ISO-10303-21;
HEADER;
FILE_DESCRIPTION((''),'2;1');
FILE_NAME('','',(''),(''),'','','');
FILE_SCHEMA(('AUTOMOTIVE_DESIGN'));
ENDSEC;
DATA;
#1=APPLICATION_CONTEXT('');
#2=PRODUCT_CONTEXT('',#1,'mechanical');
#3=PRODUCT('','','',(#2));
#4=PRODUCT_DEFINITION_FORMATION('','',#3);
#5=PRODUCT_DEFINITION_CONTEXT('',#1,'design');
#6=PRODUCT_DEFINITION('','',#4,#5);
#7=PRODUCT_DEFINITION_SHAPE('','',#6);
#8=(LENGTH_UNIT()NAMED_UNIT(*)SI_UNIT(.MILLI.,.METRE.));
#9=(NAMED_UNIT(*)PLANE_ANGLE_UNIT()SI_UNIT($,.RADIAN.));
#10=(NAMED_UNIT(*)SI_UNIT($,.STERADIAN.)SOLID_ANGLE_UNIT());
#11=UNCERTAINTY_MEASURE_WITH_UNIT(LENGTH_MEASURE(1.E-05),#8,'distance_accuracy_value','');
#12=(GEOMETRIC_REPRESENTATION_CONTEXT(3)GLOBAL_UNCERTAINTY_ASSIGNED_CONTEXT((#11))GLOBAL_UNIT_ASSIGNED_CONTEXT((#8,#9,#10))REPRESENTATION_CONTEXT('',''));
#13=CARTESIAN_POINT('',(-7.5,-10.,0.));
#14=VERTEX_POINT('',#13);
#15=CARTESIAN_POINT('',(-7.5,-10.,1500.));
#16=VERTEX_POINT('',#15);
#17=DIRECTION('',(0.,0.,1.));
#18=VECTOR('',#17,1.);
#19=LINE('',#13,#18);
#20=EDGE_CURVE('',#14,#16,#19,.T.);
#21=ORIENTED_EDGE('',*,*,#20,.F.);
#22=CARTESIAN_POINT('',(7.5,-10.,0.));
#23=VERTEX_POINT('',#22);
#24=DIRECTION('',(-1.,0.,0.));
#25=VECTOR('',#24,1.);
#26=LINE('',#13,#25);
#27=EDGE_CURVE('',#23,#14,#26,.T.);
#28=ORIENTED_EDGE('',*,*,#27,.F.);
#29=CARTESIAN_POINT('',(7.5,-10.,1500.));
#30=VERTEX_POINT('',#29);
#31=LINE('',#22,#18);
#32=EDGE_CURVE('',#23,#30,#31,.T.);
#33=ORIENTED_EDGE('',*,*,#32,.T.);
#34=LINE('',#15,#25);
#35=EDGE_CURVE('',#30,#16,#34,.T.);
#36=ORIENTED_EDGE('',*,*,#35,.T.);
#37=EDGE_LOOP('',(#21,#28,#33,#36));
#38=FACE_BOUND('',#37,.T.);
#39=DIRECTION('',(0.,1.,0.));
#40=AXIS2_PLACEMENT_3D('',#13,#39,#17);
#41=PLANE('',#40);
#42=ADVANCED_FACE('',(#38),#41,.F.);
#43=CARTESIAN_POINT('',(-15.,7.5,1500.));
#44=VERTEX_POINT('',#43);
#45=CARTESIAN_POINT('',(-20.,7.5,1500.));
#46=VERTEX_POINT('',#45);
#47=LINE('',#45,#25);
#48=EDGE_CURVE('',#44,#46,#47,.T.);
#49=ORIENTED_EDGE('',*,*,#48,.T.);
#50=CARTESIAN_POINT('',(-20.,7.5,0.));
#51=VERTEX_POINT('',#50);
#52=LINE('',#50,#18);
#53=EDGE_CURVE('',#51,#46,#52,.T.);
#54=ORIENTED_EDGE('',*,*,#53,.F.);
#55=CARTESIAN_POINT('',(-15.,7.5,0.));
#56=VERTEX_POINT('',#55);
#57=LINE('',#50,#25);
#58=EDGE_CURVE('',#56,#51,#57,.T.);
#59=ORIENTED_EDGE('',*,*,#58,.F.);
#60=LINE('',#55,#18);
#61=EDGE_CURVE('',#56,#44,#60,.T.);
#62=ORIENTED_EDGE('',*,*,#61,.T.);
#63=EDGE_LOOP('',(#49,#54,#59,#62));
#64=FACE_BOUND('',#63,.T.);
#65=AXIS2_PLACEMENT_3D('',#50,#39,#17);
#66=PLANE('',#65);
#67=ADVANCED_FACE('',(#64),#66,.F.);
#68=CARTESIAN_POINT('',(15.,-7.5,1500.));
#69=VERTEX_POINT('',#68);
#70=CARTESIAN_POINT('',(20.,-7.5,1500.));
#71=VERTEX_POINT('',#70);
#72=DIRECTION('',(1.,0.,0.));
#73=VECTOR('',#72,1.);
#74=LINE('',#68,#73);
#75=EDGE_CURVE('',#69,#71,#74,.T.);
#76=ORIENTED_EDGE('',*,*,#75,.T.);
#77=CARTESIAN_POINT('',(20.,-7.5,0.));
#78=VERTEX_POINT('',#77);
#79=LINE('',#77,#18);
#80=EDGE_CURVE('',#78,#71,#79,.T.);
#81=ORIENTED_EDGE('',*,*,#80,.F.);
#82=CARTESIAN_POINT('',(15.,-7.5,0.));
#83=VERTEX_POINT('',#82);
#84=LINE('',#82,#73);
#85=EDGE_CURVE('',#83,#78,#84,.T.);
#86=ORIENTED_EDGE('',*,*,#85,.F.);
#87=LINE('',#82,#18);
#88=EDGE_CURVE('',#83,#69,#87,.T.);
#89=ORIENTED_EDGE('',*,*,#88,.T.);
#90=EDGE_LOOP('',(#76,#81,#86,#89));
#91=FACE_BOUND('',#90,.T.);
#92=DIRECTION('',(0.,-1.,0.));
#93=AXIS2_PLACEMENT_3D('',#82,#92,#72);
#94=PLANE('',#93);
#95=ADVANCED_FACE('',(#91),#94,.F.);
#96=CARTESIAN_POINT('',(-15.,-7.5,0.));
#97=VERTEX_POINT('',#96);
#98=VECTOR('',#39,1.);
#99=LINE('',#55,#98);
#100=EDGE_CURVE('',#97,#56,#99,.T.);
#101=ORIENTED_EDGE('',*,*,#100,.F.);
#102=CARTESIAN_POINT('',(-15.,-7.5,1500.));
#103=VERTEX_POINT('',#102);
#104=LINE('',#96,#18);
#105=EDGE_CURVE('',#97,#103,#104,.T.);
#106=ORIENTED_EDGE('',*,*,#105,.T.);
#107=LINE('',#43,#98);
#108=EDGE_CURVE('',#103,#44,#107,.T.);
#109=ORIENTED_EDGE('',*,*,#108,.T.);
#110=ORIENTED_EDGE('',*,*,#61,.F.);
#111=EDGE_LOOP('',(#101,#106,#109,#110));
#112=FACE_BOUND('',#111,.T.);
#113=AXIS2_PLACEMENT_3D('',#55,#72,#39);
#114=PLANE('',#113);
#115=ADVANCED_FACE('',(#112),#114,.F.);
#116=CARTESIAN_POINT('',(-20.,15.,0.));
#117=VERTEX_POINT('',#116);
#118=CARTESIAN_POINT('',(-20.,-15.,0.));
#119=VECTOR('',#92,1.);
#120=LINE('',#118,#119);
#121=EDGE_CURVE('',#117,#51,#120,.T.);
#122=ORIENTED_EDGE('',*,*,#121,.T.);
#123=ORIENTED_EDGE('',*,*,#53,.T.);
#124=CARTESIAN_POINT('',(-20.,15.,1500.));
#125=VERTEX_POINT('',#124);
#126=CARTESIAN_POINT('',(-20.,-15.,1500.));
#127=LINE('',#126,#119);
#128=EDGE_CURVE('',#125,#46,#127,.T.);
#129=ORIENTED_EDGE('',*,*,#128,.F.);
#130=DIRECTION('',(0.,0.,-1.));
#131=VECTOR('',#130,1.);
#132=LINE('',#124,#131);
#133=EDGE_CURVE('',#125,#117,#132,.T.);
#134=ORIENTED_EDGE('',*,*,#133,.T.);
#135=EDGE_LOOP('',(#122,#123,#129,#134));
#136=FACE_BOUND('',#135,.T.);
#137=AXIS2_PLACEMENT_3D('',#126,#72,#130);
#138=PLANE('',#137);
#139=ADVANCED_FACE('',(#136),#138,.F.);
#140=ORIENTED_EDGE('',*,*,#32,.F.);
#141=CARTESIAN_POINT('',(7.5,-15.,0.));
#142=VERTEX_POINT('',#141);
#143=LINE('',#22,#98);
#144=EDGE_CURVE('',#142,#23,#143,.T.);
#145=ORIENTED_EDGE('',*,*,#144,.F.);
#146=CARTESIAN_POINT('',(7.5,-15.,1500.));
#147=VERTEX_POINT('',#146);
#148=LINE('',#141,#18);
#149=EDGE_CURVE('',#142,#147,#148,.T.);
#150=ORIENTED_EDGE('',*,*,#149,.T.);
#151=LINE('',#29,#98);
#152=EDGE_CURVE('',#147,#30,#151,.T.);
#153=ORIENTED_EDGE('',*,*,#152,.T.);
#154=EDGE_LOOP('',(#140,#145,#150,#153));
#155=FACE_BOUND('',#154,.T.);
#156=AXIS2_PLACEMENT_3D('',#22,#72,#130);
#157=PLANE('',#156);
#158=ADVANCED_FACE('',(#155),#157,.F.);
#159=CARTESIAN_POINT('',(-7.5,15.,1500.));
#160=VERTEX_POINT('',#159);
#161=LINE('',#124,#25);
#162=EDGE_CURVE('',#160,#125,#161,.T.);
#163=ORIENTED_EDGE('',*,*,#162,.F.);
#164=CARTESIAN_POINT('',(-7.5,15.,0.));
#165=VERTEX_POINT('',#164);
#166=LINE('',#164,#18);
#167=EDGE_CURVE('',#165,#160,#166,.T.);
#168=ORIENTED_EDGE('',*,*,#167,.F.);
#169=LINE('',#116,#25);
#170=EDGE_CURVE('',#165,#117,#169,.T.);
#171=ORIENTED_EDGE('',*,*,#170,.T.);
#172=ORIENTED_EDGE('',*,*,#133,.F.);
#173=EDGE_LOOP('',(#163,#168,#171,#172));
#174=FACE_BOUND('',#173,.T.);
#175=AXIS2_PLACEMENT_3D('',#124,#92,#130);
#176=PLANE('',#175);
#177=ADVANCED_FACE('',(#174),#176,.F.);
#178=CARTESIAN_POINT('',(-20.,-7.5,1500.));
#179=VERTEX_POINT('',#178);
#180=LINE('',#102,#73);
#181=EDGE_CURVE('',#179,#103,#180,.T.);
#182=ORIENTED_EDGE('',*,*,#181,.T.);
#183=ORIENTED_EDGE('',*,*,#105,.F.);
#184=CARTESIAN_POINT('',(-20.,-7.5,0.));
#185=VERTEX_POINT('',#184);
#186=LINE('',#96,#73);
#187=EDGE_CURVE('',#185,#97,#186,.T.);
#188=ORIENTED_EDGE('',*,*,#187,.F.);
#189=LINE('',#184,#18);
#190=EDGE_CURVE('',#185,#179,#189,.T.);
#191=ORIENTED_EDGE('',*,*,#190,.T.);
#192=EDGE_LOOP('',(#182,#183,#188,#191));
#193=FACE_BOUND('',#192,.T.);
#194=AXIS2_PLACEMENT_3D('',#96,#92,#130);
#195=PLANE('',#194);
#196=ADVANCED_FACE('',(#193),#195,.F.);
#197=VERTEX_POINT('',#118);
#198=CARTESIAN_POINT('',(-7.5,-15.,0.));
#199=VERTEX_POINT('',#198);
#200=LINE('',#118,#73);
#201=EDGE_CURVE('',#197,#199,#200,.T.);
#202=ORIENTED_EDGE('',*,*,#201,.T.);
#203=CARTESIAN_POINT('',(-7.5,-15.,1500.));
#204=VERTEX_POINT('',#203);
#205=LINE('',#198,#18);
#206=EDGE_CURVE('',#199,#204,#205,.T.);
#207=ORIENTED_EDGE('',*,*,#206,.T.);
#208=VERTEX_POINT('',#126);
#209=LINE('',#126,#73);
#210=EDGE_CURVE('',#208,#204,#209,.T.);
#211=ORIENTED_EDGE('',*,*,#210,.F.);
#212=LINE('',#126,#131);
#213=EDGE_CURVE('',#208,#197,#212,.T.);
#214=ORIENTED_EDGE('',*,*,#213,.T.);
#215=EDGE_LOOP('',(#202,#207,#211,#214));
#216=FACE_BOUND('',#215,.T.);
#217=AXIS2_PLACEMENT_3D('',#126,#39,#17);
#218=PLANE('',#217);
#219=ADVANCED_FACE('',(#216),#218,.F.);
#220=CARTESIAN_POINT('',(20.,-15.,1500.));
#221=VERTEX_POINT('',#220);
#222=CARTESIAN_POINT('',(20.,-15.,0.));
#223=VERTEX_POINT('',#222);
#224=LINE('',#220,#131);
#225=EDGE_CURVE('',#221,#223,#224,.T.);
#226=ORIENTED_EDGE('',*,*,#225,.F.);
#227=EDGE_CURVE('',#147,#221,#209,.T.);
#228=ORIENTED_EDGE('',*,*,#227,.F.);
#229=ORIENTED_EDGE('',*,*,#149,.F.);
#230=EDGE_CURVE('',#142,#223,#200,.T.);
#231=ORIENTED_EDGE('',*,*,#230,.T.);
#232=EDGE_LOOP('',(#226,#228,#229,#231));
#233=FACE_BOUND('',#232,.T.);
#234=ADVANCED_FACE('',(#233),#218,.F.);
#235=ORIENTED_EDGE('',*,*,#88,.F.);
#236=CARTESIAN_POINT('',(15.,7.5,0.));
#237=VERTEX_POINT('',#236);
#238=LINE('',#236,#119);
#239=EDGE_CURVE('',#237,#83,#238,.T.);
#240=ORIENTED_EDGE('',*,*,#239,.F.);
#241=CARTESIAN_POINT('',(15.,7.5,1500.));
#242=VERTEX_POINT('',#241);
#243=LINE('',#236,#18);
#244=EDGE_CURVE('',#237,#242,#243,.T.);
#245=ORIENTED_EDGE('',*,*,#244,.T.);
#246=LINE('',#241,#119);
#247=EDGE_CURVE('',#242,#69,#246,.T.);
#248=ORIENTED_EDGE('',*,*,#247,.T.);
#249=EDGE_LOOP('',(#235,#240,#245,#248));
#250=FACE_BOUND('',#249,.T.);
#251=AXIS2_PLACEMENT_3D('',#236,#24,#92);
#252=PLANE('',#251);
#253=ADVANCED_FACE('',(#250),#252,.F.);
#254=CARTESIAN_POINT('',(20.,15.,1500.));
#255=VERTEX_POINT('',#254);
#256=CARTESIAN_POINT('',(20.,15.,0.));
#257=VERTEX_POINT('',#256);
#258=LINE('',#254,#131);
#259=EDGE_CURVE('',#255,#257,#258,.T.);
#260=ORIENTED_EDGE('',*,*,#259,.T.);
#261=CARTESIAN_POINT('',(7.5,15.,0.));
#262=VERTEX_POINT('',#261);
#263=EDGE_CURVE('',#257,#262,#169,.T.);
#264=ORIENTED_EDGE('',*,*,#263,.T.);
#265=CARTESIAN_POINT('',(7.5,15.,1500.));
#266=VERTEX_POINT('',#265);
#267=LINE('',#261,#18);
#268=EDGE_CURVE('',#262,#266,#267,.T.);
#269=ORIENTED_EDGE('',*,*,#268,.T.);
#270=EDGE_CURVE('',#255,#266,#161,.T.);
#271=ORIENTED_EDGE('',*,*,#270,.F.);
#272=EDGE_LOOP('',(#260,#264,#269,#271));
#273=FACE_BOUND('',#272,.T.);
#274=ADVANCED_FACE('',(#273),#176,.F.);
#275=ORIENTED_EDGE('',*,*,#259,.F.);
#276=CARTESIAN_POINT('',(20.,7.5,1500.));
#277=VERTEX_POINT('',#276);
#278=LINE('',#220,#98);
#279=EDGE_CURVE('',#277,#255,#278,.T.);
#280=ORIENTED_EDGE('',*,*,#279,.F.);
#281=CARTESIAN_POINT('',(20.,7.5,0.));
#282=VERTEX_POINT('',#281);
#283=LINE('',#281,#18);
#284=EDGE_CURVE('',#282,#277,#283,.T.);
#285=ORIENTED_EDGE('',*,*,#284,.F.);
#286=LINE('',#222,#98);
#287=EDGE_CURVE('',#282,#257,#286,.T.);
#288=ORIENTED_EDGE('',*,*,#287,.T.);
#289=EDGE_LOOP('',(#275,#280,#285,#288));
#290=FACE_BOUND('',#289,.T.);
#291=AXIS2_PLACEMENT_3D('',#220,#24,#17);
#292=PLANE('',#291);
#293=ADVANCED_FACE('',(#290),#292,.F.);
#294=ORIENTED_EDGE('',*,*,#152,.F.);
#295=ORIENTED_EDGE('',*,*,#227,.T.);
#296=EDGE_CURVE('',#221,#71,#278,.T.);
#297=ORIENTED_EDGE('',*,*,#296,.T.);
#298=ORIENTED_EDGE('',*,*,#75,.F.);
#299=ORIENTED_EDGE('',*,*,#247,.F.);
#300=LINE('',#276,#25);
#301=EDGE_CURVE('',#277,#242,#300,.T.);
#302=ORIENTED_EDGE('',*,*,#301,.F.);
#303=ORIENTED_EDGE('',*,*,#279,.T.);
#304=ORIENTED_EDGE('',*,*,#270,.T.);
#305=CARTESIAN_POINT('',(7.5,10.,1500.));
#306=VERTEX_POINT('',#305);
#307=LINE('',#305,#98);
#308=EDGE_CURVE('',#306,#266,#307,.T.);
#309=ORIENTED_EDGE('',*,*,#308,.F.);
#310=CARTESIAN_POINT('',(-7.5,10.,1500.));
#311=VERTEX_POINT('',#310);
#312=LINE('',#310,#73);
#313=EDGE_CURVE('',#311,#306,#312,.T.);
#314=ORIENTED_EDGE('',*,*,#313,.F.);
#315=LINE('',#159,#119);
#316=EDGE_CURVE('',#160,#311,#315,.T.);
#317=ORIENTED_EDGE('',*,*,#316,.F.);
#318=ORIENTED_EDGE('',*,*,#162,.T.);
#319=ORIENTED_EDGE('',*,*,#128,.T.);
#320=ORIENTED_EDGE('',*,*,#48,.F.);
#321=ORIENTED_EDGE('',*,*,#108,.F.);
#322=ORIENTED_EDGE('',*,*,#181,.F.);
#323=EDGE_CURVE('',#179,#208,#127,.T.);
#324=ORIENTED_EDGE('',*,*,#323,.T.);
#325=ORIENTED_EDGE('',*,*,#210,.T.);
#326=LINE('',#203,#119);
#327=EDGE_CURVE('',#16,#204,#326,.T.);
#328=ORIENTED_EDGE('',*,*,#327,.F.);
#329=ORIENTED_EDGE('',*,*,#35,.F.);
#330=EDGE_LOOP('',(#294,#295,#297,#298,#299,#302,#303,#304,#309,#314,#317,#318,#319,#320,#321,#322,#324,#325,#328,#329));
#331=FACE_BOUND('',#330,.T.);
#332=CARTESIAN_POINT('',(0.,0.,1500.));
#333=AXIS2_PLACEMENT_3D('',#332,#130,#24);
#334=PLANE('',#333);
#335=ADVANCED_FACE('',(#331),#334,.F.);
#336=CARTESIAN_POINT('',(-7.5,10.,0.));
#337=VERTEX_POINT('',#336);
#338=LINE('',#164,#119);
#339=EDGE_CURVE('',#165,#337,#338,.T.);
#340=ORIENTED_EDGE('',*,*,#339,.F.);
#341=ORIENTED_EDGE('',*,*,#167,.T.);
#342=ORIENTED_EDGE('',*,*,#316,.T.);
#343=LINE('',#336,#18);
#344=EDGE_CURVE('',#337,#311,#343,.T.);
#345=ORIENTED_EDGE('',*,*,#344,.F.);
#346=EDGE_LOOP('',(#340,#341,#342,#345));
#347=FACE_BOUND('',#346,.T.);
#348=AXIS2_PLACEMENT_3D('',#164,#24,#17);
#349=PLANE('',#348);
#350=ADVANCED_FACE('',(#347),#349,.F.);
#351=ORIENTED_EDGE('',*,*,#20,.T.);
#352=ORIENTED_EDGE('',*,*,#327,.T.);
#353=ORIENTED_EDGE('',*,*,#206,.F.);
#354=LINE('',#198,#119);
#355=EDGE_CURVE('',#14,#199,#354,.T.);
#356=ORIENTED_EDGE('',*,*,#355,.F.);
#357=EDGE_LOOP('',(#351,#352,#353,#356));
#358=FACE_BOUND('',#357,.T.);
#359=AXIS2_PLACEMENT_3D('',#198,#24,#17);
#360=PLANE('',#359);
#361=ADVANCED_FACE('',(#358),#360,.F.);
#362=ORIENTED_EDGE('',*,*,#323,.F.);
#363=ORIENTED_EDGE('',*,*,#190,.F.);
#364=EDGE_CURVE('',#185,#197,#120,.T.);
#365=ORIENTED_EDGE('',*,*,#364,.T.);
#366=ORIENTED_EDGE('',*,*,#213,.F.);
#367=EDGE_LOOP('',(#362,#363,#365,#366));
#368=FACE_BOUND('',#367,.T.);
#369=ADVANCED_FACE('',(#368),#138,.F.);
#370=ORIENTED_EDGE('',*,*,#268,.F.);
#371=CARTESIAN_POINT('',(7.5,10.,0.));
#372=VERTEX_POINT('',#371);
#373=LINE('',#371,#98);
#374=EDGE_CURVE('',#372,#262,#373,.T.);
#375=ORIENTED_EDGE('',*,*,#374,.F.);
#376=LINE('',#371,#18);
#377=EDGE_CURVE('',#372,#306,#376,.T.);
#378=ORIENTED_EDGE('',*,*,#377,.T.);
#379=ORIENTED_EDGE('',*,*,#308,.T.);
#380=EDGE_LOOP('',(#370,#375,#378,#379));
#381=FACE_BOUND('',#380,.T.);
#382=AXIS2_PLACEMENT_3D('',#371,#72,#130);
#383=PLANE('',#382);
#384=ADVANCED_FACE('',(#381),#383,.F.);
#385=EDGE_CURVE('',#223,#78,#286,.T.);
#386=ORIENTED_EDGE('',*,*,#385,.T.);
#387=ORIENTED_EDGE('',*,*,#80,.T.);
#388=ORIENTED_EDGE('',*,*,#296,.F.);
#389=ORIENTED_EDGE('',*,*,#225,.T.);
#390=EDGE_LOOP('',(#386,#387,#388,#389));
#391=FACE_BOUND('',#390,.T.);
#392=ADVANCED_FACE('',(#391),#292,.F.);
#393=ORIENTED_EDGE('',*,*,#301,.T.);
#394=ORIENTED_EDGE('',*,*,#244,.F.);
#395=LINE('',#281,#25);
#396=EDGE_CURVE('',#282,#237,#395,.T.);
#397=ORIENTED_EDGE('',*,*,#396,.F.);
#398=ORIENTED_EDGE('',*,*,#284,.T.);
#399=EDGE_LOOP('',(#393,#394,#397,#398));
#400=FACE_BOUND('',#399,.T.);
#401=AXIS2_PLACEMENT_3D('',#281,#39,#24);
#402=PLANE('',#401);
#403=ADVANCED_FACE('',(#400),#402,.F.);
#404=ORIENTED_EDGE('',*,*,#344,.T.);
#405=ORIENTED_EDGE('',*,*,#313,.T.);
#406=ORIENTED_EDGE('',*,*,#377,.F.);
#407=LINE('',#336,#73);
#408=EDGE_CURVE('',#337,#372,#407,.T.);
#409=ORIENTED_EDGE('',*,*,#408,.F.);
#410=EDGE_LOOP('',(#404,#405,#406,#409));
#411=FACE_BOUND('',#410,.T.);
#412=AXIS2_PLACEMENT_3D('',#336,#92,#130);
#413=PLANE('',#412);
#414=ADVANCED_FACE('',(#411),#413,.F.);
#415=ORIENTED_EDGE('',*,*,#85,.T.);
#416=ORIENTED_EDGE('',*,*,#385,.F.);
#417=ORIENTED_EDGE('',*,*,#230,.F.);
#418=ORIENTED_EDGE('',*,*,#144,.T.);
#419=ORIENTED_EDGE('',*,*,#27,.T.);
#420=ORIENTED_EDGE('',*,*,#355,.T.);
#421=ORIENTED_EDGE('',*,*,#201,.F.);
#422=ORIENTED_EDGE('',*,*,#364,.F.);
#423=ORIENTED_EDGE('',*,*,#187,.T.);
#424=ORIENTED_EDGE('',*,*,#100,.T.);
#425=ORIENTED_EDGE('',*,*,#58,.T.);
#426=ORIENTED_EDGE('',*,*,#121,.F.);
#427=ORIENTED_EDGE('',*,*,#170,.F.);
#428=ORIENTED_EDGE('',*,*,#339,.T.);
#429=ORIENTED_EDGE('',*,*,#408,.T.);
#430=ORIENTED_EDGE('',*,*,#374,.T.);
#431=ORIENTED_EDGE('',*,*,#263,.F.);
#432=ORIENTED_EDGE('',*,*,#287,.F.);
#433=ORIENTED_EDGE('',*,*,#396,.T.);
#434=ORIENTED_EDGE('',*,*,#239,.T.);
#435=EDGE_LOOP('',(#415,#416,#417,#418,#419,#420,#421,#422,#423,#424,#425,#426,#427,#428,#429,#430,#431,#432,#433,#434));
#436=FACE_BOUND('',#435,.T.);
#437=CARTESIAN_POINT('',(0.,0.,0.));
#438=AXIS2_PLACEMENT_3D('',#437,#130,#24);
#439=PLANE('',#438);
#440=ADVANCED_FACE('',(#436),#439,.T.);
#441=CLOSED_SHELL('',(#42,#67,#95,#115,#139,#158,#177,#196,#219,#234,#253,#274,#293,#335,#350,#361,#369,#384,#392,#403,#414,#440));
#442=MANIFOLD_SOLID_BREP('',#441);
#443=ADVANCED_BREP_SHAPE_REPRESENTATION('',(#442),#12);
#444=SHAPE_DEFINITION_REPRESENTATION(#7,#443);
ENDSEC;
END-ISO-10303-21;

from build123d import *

# Parameters (mm, degrees)
SKETCH2_W           = 40
SKETCH2_H           = 30
BOSS_EXTRUDE2_DEPTH = 1500
SKETCH3_W           = 15
SKETCH3_H           = 5
SKETCH3_W_2         = 5
SKETCH3_H_2         = 15
CUT_EXTRUDE1_DEPTH  = 1500


with BuildPart() as part:
    # Sketch2 → Boss-Extrude2 (new body)
    with BuildSketch(Plane.XY):
        Rectangle(SKETCH2_W, SKETCH2_H)
    extrude(amount=BOSS_EXTRUDE2_DEPTH)

    # Sketch3 → Cut-Extrude1 (cut)
    with BuildSketch(Plane.XY.offset(1500)):
        with Locations((0, 12.5)):
            Rectangle(SKETCH3_W, SKETCH3_H)
        with Locations((17.5, 0)):
            Rectangle(SKETCH3_W_2, SKETCH3_H_2)
        with Locations((0, -12.5)):
            Rectangle(SKETCH3_W, SKETCH3_H)
        with Locations((-17.5, 0)):
            Rectangle(SKETCH3_W_2, SKETCH3_H_2)
    extrude(amount=-CUT_EXTRUDE1_DEPTH, mode=Mode.SUBTRACT)


solid = part.part
